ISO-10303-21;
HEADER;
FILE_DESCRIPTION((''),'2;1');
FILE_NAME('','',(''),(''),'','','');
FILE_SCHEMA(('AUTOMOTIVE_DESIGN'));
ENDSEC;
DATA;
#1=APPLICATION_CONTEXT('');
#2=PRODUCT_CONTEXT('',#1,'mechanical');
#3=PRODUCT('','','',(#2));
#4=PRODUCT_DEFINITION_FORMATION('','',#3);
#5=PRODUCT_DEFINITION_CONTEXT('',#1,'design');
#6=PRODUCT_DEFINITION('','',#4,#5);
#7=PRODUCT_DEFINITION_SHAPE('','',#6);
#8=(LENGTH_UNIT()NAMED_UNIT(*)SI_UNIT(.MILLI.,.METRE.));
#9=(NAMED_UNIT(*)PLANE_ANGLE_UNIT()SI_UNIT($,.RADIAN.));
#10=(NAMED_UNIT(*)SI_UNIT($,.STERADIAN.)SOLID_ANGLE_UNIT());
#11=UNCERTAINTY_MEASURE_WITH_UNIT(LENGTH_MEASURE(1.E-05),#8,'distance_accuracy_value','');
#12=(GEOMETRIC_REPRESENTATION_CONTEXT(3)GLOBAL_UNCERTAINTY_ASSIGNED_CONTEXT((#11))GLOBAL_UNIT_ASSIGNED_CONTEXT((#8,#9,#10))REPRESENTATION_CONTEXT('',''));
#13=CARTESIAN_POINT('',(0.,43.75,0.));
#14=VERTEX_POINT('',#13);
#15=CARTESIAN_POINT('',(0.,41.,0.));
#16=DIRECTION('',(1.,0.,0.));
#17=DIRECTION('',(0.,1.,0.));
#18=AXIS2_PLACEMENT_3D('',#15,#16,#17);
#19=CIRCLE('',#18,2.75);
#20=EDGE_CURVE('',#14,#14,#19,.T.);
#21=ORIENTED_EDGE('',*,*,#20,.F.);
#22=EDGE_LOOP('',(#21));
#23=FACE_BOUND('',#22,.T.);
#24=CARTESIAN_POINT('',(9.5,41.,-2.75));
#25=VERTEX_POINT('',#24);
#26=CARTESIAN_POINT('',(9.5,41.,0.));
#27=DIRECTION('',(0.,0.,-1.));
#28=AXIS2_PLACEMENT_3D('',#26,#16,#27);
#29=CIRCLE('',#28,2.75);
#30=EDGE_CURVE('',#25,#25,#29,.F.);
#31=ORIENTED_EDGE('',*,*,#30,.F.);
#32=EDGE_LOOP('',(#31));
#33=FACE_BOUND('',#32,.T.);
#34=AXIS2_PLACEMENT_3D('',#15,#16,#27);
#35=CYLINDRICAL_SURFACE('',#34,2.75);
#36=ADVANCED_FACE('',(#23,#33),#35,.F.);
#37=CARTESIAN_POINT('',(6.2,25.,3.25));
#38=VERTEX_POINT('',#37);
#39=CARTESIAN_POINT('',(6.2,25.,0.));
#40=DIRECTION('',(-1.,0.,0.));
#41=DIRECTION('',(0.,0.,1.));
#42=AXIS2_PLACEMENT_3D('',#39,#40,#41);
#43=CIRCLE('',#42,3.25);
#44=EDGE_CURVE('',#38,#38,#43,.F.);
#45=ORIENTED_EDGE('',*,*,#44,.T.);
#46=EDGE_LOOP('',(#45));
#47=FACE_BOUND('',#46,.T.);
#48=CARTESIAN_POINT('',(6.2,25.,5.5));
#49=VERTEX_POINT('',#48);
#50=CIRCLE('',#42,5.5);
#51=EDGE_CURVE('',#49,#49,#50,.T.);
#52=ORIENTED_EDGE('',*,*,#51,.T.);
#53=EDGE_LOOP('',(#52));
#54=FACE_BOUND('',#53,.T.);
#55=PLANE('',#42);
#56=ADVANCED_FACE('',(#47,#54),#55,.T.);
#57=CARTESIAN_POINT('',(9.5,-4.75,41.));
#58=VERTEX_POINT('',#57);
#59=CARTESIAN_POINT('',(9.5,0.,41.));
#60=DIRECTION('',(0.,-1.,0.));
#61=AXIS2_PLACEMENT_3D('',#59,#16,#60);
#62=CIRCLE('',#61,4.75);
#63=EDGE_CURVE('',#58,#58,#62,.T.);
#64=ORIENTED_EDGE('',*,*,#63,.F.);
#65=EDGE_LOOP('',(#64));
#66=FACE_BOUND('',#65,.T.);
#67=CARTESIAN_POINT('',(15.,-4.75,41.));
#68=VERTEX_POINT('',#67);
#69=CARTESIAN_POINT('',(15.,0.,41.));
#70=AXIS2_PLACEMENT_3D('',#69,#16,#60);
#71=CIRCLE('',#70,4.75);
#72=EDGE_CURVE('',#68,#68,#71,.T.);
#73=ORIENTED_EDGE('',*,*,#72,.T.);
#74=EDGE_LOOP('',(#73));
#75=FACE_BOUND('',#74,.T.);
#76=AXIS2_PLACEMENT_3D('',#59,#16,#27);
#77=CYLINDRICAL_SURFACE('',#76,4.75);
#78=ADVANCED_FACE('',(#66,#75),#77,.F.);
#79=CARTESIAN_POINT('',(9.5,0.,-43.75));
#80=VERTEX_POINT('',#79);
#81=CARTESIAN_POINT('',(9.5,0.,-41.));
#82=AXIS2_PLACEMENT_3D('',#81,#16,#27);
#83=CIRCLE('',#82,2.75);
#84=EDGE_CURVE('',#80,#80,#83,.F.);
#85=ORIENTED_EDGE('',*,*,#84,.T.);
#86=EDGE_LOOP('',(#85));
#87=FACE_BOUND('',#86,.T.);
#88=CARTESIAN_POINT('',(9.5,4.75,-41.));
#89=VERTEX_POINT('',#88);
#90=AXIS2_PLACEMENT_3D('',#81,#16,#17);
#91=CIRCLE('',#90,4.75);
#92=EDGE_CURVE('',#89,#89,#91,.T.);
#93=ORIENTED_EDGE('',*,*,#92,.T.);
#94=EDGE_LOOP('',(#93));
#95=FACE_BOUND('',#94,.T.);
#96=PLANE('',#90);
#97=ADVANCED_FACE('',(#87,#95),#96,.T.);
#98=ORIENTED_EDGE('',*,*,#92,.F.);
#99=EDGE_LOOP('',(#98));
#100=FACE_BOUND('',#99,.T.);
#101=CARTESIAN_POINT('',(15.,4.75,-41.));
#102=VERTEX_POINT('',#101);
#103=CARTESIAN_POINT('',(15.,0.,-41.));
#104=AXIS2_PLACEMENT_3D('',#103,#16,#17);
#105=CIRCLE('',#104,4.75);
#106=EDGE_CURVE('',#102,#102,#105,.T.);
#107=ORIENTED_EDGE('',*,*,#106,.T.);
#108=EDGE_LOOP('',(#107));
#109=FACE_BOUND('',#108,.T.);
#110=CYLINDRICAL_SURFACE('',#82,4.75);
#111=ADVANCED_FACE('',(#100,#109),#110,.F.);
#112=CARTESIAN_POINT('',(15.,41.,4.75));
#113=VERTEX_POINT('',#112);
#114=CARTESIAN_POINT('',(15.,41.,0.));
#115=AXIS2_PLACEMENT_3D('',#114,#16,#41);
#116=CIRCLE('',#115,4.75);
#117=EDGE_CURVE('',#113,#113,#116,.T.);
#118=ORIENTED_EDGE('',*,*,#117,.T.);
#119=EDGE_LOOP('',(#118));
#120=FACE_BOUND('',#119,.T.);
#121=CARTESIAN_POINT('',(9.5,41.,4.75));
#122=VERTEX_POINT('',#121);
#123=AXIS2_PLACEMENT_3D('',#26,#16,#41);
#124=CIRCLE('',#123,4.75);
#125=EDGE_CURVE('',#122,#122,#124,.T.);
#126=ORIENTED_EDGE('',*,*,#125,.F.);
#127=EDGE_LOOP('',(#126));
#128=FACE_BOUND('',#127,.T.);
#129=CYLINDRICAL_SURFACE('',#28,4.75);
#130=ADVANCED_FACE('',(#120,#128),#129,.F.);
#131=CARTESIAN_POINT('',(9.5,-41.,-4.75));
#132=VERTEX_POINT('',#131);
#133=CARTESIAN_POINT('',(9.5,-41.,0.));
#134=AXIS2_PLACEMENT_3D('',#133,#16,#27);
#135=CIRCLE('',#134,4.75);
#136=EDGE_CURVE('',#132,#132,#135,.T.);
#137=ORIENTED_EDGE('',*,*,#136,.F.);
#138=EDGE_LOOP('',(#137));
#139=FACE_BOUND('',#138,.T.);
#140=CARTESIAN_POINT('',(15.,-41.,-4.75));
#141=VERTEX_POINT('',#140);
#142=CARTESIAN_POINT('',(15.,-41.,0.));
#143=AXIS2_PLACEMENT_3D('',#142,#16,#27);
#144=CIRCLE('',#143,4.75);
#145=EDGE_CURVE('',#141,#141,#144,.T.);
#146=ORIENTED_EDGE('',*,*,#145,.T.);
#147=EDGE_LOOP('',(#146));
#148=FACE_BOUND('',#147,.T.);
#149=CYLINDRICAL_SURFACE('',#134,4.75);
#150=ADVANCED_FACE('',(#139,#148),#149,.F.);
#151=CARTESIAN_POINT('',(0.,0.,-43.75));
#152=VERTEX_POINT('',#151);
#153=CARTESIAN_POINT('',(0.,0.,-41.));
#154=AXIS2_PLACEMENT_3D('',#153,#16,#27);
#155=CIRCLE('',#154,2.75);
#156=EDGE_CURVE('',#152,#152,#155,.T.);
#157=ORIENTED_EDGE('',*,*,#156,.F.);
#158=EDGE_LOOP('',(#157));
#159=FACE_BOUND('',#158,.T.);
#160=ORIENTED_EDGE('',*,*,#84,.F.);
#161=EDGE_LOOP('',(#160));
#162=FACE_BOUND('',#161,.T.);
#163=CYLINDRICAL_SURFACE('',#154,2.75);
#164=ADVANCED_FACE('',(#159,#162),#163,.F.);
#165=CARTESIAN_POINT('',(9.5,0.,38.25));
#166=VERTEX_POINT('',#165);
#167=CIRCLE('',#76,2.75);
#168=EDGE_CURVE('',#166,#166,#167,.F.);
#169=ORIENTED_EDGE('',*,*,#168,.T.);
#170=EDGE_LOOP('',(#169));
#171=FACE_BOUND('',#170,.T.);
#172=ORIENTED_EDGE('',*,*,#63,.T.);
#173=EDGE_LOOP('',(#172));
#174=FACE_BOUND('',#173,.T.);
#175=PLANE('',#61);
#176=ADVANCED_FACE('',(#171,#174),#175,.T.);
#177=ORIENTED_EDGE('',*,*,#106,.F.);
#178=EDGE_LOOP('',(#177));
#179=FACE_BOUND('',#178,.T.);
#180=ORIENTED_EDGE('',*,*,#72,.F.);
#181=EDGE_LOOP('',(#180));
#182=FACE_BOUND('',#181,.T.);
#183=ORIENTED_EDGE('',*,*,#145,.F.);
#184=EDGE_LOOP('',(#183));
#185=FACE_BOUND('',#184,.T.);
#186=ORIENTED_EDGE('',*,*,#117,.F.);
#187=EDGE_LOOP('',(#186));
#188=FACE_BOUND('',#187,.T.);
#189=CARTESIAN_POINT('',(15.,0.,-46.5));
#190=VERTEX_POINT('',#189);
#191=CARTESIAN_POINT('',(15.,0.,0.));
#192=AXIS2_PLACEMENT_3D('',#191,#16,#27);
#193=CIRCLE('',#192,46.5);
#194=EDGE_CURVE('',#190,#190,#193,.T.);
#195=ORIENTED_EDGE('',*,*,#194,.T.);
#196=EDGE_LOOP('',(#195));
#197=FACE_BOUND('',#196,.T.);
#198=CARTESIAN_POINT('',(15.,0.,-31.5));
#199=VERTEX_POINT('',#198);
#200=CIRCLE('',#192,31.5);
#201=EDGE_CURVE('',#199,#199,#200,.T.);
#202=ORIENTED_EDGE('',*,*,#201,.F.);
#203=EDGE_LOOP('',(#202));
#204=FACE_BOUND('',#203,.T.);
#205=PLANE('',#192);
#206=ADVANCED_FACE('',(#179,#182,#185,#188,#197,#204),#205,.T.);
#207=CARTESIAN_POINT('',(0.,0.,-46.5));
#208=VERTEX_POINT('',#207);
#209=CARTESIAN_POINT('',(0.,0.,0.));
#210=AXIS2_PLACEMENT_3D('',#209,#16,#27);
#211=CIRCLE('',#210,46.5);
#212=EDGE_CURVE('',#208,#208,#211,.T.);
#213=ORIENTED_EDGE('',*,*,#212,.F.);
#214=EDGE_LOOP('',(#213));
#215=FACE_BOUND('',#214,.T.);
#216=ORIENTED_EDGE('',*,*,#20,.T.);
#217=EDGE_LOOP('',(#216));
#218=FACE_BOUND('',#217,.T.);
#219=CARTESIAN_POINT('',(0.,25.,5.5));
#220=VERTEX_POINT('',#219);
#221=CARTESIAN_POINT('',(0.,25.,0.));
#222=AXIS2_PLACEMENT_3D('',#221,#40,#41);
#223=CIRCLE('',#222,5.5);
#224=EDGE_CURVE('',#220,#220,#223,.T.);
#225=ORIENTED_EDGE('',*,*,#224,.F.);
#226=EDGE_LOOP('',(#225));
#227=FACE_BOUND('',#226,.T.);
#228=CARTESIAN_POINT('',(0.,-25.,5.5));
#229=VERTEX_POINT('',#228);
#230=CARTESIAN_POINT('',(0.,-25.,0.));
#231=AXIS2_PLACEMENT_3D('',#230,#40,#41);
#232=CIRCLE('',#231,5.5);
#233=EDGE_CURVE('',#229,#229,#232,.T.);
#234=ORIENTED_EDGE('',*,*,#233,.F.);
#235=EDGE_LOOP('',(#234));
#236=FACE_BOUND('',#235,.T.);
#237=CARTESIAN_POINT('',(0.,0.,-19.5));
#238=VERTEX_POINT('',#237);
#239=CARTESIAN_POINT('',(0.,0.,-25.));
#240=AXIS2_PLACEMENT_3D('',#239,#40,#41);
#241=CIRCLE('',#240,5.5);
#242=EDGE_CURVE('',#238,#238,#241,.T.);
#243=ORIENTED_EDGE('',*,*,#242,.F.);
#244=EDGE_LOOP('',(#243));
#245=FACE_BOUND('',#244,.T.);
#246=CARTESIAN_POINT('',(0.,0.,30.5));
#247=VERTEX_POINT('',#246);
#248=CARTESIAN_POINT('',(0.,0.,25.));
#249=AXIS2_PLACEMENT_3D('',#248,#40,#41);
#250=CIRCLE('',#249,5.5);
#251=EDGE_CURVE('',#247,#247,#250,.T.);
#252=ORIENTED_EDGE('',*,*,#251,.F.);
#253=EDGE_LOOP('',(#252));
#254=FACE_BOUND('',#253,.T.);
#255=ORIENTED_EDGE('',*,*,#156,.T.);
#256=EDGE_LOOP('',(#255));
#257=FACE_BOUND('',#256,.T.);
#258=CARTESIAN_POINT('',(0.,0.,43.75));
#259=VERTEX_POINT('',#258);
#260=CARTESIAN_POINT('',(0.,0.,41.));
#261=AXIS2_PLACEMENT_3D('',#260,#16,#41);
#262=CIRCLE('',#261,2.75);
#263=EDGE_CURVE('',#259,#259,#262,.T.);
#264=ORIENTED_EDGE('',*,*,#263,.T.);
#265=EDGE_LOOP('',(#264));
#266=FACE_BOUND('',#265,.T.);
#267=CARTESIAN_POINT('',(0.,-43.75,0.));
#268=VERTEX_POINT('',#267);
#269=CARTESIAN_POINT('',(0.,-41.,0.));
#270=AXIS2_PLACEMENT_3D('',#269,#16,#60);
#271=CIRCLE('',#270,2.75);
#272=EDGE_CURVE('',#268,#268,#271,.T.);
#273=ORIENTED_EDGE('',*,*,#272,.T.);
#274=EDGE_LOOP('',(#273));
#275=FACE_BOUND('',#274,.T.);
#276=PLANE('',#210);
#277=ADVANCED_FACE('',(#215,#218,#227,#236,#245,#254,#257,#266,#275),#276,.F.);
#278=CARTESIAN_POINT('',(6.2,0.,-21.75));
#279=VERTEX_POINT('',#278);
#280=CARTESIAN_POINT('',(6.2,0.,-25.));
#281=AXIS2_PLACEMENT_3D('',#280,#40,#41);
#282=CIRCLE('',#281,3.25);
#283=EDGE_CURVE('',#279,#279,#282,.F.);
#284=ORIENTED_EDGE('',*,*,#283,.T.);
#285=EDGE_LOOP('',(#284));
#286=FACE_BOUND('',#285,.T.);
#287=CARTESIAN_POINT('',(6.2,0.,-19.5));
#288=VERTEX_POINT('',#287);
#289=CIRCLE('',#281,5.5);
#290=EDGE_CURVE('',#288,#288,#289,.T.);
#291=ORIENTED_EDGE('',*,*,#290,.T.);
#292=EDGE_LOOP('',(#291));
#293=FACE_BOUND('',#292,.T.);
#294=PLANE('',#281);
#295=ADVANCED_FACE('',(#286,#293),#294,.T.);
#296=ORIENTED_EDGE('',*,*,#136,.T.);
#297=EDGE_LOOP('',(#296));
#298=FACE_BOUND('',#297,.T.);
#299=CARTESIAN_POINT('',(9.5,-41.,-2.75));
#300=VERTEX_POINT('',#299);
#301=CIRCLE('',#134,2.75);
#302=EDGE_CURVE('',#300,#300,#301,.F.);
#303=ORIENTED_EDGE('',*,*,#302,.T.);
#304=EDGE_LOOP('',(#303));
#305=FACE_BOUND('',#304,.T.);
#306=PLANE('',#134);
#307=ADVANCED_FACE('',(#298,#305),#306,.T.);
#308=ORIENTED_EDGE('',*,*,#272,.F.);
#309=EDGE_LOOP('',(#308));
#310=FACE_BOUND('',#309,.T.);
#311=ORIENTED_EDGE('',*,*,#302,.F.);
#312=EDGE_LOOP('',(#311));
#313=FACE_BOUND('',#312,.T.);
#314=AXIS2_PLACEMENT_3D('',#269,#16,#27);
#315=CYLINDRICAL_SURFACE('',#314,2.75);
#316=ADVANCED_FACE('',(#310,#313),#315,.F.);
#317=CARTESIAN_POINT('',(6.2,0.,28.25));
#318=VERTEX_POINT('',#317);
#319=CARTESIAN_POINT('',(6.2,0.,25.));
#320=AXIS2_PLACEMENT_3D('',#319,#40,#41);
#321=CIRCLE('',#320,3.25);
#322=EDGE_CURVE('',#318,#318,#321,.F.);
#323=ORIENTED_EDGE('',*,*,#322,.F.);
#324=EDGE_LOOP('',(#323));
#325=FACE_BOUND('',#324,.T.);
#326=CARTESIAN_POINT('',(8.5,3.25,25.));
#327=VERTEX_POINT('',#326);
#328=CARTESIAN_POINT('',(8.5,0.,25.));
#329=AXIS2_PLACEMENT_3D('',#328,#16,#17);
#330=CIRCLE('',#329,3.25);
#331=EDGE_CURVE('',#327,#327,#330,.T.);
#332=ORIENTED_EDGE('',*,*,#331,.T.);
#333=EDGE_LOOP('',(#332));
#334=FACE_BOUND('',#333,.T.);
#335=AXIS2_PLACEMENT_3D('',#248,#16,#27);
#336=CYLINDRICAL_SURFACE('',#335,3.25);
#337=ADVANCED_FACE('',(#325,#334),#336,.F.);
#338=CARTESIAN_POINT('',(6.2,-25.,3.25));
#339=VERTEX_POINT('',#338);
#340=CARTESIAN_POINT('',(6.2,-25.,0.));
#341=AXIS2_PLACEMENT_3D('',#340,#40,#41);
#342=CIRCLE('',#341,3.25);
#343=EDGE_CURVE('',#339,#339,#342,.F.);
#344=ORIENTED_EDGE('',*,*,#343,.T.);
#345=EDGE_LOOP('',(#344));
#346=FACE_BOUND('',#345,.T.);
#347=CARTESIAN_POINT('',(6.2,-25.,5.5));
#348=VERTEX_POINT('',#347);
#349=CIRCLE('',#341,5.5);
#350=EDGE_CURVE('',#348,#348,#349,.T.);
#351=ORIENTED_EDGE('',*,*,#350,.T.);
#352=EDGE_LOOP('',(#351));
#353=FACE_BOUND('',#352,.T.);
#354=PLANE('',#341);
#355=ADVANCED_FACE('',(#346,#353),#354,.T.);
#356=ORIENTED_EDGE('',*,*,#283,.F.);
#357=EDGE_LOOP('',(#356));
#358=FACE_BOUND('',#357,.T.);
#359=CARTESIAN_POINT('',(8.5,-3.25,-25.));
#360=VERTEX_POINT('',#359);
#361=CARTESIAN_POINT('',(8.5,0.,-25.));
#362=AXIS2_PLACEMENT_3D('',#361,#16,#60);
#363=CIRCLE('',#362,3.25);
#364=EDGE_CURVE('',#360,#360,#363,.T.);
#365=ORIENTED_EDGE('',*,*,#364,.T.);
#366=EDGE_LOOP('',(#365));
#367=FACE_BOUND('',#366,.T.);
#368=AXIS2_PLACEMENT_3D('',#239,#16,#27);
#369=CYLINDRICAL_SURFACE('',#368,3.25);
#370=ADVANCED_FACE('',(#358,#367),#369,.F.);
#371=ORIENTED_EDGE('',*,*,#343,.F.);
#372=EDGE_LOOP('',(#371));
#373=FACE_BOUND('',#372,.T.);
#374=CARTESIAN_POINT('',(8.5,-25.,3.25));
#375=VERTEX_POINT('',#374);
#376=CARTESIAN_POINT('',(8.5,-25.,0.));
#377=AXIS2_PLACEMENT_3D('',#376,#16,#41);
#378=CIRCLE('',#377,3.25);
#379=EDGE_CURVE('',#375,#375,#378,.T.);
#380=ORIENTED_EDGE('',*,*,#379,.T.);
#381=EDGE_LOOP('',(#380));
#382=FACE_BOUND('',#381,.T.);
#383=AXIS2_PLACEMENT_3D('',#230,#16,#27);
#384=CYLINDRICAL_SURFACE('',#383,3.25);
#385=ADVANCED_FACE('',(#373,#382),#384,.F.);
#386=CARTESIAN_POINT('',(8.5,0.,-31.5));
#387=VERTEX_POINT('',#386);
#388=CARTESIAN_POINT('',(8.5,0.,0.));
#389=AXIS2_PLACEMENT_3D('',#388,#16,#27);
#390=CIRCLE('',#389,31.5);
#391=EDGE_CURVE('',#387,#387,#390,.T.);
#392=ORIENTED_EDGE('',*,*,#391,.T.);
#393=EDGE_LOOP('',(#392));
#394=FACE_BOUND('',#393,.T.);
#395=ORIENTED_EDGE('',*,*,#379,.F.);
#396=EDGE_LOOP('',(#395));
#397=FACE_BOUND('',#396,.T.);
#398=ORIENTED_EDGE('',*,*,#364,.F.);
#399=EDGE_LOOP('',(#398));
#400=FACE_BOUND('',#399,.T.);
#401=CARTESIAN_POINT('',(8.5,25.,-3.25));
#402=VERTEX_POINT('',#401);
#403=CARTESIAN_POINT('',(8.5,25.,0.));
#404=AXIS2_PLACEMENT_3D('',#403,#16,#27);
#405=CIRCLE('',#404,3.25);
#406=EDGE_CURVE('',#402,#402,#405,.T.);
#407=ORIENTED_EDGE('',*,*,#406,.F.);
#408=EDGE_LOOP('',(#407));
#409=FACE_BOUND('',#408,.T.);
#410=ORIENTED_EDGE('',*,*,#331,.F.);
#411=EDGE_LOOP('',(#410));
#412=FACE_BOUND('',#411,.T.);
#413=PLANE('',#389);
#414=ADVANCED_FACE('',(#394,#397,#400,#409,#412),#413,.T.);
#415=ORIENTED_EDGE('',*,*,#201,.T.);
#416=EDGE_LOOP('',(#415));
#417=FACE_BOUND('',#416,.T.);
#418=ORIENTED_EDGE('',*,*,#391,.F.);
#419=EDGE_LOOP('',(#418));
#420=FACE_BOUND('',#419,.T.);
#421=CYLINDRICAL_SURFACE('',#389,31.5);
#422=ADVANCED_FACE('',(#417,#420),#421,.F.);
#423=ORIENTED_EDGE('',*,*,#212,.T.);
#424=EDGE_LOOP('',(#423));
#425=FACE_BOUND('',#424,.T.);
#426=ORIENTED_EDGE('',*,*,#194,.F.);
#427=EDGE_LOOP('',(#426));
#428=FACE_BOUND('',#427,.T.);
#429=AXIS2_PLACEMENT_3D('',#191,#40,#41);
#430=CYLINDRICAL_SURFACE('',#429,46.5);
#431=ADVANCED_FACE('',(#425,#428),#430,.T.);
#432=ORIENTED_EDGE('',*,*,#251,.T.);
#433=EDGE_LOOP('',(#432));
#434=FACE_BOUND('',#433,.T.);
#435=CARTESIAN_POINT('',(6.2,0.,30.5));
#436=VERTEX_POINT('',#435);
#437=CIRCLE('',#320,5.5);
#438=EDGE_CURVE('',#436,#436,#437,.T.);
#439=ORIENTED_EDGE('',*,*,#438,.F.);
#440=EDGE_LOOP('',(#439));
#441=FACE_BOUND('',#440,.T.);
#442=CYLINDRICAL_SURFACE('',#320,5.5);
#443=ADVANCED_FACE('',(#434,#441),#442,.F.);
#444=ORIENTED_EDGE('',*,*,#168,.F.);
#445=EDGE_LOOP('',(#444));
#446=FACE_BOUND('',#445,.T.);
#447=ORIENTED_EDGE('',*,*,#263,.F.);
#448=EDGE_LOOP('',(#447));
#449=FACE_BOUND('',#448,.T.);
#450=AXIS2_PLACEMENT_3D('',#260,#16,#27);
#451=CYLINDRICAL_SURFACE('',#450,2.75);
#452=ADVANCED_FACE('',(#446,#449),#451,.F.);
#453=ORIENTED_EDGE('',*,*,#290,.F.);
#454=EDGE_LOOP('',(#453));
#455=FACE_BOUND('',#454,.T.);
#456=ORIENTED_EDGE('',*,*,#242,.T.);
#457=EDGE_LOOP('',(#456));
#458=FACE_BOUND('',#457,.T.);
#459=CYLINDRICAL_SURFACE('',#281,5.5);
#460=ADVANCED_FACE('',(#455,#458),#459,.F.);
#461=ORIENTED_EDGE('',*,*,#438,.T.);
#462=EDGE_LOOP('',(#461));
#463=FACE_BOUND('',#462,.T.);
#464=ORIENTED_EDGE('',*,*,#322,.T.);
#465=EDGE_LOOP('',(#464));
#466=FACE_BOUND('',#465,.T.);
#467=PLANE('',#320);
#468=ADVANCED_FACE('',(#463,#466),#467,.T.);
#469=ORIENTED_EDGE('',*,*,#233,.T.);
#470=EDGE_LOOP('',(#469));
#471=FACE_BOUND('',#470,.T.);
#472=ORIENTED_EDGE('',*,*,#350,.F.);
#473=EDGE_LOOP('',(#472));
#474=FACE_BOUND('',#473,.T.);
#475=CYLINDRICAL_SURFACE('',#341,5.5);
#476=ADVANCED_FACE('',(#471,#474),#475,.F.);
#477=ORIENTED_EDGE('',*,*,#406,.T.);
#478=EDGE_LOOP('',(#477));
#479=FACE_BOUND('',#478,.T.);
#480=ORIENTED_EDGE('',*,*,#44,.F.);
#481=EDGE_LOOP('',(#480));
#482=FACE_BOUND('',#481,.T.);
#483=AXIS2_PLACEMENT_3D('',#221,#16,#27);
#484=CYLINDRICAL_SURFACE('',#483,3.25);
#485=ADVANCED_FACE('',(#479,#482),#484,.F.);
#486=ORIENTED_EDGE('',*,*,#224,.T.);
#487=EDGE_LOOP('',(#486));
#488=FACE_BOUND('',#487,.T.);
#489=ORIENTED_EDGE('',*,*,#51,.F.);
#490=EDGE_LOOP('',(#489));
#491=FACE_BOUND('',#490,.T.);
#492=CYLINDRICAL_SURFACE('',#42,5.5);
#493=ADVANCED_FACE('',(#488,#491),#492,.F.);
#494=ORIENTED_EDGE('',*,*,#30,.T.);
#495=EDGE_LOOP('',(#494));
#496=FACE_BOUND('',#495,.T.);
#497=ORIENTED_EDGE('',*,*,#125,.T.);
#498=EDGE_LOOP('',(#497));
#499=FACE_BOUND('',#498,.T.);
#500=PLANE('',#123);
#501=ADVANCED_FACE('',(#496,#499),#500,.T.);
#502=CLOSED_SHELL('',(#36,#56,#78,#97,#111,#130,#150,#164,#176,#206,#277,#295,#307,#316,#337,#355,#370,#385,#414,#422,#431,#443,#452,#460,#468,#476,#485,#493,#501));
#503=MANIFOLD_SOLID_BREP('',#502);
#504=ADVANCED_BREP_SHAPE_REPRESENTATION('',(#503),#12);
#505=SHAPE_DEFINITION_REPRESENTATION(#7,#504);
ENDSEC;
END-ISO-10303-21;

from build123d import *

# Parameters (mm, degrees)
SKETCH_1_R               = 46.5
EXTRUDE_1_DEPTH          = 15
SKETCH_2_R               = 31.5
CUT_EXTRUDE_1_DEPTH      = 6.5
SKETCH_3_R               = 3.25
CUT_EXTRUDE_2_DEPTH      = 9.5
PATTERN_CIRCULAR_1_COUNT = 4
SKETCH_4_R               = 5.5
CUT_EXTRUDE_3_DEPTH      = 6.2
SKETCH_5_R               = 2.75
CUT_EXTRUDE_4_DEPTH      = 16
PATTERN_CIRCULAR_2_COUNT = 4
SKETCH_6_R               = 4.75
CUT_EXTRUDE_5_DEPTH      = 5.5
PATTERN_CIRCULAR_3_COUNT = 4


with BuildPart() as part:
    # 草图1 → 凸台-拉伸1 (new body)
    with BuildSketch(Plane(origin=(0, 0, 0), x_dir=(0, 0, -1), z_dir=(1, 0, 0))):
        Circle(SKETCH_1_R)
    extrude(amount=EXTRUDE_1_DEPTH)

    # 草图2 → 切除-拉伸1 (cut)
    with BuildSketch(Plane(origin=(15, 0, 0), x_dir=(0, 0, -1), z_dir=(1, 0, 0))):
        Circle(SKETCH_2_R)
    extrude(amount=-CUT_EXTRUDE_1_DEPTH, mode=Mode.SUBTRACT)

    # 草图3 → 切除-拉伸2 (cut, through all)
    with BuildSketch(Plane(origin=(8.5, 0, 0), x_dir=(0, 0, -1), z_dir=(1, 0, 0))):
        with Locations((0, 25)):
            Circle(SKETCH_3_R)
    cut_extrude_2 = extrude(amount=-CUT_EXTRUDE_2_DEPTH, mode=Mode.SUBTRACT)

    # 阵列(圆周)1: 切除-拉伸2 ×4 about axis
    pattern_circular_1_axis = Axis((0, 0, 0), (1, 0, 0))
    for i in range(1, PATTERN_CIRCULAR_1_COUNT):
        add(cut_extrude_2.rotate(pattern_circular_1_axis, i * 360 / PATTERN_CIRCULAR_1_COUNT), mode=Mode.SUBTRACT)

    # 草图4 → 切除-拉伸3 (cut)
    with BuildSketch(Plane.ZY):
        with Locations((0, 25)):
            Circle(SKETCH_4_R)
        with Locations((-25, 0)):
            Circle(SKETCH_4_R)
        with Locations((0, -25)):
            Circle(SKETCH_4_R)
        with Locations((25, 0)):
            Circle(SKETCH_4_R)
    extrude(amount=-CUT_EXTRUDE_3_DEPTH, mode=Mode.SUBTRACT)

    # 草图5 → 切除-拉伸4 (cut, through all)
    with BuildSketch(Plane(origin=(15, 0, 0), x_dir=(0, 0, -1), z_dir=(1, 0, 0))):
        with Locations((41, 0)):
            Circle(SKETCH_5_R)
    cut_extrude_4 = extrude(amount=-CUT_EXTRUDE_4_DEPTH, mode=Mode.SUBTRACT)

    # 阵列(圆周)2: 切除-拉伸4 ×4 about axis
    pattern_circular_2_axis = Axis((0, 0, 0), (1, 0, 0))
    for i in range(1, PATTERN_CIRCULAR_2_COUNT):
        add(cut_extrude_4.rotate(pattern_circular_2_axis, i * 360 / PATTERN_CIRCULAR_2_COUNT), mode=Mode.SUBTRACT)

    # 草图6 → 切除-拉伸5 (cut)
    with BuildSketch(Plane(origin=(15, 0, 0), x_dir=(0, 0, -1), z_dir=(1, 0, 0))):
        with Locations((0, -41)):
            Circle(SKETCH_6_R)
    cut_extrude_5 = extrude(amount=-CUT_EXTRUDE_5_DEPTH, mode=Mode.SUBTRACT)

    # 阵列(圆周)3: 切除-拉伸5 ×4 about axis
    pattern_circular_3_axis = Axis((0, 0, 0), (1, 0, 0))
    for i in range(1, PATTERN_CIRCULAR_3_COUNT):
        add(cut_extrude_5.rotate(pattern_circular_3_axis, i * 360 / PATTERN_CIRCULAR_3_COUNT), mode=Mode.SUBTRACT)


solid = part.part
